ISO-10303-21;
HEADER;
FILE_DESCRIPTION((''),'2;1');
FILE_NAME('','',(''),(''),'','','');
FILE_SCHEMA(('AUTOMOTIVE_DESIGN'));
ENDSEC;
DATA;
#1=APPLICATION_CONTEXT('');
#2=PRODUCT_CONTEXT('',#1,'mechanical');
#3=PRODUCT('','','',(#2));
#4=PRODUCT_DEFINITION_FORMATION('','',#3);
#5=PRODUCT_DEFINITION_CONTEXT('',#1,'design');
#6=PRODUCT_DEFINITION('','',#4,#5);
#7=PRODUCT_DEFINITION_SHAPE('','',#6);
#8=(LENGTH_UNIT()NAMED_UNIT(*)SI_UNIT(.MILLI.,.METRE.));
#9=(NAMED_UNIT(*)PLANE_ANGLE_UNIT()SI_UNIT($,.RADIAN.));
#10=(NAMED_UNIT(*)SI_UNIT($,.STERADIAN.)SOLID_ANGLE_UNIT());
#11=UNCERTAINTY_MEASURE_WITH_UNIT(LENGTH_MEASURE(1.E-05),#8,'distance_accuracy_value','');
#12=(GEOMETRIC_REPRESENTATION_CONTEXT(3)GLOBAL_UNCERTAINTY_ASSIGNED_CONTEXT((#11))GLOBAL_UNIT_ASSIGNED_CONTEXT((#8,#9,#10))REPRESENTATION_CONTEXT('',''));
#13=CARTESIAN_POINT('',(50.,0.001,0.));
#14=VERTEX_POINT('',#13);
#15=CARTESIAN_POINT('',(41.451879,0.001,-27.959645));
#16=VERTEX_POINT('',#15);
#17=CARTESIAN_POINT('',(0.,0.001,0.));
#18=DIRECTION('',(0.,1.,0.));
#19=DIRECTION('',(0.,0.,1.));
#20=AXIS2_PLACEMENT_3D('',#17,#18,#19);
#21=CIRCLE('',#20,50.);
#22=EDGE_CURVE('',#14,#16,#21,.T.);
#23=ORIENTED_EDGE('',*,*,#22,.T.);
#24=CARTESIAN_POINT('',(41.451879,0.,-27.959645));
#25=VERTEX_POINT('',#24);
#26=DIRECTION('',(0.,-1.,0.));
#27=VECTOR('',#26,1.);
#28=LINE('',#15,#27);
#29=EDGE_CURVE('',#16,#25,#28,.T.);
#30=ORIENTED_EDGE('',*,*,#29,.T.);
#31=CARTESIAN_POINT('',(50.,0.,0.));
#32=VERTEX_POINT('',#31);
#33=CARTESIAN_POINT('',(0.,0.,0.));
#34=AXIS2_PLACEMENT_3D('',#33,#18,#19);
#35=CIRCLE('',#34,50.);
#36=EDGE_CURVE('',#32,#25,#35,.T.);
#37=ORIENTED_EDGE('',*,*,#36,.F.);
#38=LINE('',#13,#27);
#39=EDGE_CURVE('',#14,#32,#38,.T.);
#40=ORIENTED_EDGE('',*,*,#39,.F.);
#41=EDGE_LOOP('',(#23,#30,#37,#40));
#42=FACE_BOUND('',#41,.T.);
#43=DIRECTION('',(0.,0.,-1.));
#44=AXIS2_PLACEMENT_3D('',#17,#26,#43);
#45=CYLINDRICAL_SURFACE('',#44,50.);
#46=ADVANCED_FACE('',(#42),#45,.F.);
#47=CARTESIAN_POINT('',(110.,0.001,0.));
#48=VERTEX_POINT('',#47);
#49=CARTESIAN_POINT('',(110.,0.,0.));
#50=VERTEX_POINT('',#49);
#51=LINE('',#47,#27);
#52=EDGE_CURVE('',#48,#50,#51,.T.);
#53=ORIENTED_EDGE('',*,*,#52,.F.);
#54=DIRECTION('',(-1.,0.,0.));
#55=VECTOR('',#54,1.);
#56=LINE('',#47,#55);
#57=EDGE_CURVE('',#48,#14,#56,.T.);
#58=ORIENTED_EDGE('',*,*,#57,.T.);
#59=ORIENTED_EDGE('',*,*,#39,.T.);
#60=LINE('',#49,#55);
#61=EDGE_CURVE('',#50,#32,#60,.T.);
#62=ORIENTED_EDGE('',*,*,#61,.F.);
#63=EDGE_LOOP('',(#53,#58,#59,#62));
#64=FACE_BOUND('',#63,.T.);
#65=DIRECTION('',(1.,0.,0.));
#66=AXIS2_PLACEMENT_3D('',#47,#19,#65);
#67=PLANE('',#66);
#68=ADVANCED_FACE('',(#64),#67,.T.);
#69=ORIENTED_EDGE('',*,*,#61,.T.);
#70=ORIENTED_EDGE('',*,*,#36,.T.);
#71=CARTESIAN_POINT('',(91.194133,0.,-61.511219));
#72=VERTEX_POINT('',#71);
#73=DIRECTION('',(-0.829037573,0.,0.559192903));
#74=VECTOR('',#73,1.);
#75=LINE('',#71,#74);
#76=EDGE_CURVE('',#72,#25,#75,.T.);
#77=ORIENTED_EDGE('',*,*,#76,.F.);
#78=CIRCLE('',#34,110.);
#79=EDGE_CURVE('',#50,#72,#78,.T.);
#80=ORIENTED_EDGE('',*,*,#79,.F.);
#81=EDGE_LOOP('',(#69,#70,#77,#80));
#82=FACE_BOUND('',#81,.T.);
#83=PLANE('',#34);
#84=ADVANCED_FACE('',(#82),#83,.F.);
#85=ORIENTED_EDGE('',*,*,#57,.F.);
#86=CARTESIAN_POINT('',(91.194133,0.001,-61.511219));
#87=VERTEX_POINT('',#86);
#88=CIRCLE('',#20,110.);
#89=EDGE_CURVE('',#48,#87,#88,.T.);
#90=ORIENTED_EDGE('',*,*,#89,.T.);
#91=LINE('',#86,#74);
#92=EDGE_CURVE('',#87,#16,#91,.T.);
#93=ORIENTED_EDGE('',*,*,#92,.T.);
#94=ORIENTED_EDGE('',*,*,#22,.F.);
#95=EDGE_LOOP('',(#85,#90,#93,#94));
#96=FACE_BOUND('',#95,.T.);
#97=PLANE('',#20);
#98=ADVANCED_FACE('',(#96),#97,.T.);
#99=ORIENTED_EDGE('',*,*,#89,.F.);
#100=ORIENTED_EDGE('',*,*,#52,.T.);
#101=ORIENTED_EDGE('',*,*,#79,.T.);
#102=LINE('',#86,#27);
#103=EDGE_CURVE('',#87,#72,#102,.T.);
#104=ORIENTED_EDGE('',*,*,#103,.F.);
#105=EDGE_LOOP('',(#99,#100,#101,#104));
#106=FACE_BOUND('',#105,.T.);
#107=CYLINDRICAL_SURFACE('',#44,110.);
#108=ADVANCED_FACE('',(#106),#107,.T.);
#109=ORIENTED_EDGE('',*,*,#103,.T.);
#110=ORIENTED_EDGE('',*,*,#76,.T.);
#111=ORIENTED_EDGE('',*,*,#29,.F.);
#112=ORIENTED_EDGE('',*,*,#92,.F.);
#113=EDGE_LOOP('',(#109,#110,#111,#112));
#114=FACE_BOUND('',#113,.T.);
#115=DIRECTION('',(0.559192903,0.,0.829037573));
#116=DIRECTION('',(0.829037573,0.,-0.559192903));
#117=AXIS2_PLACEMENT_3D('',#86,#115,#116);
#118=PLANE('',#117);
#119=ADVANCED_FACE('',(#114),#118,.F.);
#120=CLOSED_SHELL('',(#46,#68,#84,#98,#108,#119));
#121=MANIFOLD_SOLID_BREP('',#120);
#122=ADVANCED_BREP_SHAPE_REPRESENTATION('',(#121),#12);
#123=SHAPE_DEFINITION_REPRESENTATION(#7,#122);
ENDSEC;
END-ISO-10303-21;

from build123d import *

# Parameters (mm, degrees)
EXTRUDE_1_DEPTH = 0.001


with BuildPart() as part:
    # 草图1 → 凸台-拉伸1 (new body)
    with BuildSketch(Plane(origin=(0, 0, 0), x_dir=(1, 0, 0), z_dir=(0, 1, 0))):
        with BuildLine():
            Line((91.194132981, 61.511219382), (41.451878628, 27.959645174))
            ThreePointArc((41.451878628, 27.959645174), (47.815237798, 14.618585236), (50, 0))
            Line((50, 0), (110, 0))
            ThreePointArc((110, 0), (105.193523156, 32.16088752), (91.194132981, 61.511219382))
        make_face()
    extrude(amount=EXTRUDE_1_DEPTH)


solid = part.part
